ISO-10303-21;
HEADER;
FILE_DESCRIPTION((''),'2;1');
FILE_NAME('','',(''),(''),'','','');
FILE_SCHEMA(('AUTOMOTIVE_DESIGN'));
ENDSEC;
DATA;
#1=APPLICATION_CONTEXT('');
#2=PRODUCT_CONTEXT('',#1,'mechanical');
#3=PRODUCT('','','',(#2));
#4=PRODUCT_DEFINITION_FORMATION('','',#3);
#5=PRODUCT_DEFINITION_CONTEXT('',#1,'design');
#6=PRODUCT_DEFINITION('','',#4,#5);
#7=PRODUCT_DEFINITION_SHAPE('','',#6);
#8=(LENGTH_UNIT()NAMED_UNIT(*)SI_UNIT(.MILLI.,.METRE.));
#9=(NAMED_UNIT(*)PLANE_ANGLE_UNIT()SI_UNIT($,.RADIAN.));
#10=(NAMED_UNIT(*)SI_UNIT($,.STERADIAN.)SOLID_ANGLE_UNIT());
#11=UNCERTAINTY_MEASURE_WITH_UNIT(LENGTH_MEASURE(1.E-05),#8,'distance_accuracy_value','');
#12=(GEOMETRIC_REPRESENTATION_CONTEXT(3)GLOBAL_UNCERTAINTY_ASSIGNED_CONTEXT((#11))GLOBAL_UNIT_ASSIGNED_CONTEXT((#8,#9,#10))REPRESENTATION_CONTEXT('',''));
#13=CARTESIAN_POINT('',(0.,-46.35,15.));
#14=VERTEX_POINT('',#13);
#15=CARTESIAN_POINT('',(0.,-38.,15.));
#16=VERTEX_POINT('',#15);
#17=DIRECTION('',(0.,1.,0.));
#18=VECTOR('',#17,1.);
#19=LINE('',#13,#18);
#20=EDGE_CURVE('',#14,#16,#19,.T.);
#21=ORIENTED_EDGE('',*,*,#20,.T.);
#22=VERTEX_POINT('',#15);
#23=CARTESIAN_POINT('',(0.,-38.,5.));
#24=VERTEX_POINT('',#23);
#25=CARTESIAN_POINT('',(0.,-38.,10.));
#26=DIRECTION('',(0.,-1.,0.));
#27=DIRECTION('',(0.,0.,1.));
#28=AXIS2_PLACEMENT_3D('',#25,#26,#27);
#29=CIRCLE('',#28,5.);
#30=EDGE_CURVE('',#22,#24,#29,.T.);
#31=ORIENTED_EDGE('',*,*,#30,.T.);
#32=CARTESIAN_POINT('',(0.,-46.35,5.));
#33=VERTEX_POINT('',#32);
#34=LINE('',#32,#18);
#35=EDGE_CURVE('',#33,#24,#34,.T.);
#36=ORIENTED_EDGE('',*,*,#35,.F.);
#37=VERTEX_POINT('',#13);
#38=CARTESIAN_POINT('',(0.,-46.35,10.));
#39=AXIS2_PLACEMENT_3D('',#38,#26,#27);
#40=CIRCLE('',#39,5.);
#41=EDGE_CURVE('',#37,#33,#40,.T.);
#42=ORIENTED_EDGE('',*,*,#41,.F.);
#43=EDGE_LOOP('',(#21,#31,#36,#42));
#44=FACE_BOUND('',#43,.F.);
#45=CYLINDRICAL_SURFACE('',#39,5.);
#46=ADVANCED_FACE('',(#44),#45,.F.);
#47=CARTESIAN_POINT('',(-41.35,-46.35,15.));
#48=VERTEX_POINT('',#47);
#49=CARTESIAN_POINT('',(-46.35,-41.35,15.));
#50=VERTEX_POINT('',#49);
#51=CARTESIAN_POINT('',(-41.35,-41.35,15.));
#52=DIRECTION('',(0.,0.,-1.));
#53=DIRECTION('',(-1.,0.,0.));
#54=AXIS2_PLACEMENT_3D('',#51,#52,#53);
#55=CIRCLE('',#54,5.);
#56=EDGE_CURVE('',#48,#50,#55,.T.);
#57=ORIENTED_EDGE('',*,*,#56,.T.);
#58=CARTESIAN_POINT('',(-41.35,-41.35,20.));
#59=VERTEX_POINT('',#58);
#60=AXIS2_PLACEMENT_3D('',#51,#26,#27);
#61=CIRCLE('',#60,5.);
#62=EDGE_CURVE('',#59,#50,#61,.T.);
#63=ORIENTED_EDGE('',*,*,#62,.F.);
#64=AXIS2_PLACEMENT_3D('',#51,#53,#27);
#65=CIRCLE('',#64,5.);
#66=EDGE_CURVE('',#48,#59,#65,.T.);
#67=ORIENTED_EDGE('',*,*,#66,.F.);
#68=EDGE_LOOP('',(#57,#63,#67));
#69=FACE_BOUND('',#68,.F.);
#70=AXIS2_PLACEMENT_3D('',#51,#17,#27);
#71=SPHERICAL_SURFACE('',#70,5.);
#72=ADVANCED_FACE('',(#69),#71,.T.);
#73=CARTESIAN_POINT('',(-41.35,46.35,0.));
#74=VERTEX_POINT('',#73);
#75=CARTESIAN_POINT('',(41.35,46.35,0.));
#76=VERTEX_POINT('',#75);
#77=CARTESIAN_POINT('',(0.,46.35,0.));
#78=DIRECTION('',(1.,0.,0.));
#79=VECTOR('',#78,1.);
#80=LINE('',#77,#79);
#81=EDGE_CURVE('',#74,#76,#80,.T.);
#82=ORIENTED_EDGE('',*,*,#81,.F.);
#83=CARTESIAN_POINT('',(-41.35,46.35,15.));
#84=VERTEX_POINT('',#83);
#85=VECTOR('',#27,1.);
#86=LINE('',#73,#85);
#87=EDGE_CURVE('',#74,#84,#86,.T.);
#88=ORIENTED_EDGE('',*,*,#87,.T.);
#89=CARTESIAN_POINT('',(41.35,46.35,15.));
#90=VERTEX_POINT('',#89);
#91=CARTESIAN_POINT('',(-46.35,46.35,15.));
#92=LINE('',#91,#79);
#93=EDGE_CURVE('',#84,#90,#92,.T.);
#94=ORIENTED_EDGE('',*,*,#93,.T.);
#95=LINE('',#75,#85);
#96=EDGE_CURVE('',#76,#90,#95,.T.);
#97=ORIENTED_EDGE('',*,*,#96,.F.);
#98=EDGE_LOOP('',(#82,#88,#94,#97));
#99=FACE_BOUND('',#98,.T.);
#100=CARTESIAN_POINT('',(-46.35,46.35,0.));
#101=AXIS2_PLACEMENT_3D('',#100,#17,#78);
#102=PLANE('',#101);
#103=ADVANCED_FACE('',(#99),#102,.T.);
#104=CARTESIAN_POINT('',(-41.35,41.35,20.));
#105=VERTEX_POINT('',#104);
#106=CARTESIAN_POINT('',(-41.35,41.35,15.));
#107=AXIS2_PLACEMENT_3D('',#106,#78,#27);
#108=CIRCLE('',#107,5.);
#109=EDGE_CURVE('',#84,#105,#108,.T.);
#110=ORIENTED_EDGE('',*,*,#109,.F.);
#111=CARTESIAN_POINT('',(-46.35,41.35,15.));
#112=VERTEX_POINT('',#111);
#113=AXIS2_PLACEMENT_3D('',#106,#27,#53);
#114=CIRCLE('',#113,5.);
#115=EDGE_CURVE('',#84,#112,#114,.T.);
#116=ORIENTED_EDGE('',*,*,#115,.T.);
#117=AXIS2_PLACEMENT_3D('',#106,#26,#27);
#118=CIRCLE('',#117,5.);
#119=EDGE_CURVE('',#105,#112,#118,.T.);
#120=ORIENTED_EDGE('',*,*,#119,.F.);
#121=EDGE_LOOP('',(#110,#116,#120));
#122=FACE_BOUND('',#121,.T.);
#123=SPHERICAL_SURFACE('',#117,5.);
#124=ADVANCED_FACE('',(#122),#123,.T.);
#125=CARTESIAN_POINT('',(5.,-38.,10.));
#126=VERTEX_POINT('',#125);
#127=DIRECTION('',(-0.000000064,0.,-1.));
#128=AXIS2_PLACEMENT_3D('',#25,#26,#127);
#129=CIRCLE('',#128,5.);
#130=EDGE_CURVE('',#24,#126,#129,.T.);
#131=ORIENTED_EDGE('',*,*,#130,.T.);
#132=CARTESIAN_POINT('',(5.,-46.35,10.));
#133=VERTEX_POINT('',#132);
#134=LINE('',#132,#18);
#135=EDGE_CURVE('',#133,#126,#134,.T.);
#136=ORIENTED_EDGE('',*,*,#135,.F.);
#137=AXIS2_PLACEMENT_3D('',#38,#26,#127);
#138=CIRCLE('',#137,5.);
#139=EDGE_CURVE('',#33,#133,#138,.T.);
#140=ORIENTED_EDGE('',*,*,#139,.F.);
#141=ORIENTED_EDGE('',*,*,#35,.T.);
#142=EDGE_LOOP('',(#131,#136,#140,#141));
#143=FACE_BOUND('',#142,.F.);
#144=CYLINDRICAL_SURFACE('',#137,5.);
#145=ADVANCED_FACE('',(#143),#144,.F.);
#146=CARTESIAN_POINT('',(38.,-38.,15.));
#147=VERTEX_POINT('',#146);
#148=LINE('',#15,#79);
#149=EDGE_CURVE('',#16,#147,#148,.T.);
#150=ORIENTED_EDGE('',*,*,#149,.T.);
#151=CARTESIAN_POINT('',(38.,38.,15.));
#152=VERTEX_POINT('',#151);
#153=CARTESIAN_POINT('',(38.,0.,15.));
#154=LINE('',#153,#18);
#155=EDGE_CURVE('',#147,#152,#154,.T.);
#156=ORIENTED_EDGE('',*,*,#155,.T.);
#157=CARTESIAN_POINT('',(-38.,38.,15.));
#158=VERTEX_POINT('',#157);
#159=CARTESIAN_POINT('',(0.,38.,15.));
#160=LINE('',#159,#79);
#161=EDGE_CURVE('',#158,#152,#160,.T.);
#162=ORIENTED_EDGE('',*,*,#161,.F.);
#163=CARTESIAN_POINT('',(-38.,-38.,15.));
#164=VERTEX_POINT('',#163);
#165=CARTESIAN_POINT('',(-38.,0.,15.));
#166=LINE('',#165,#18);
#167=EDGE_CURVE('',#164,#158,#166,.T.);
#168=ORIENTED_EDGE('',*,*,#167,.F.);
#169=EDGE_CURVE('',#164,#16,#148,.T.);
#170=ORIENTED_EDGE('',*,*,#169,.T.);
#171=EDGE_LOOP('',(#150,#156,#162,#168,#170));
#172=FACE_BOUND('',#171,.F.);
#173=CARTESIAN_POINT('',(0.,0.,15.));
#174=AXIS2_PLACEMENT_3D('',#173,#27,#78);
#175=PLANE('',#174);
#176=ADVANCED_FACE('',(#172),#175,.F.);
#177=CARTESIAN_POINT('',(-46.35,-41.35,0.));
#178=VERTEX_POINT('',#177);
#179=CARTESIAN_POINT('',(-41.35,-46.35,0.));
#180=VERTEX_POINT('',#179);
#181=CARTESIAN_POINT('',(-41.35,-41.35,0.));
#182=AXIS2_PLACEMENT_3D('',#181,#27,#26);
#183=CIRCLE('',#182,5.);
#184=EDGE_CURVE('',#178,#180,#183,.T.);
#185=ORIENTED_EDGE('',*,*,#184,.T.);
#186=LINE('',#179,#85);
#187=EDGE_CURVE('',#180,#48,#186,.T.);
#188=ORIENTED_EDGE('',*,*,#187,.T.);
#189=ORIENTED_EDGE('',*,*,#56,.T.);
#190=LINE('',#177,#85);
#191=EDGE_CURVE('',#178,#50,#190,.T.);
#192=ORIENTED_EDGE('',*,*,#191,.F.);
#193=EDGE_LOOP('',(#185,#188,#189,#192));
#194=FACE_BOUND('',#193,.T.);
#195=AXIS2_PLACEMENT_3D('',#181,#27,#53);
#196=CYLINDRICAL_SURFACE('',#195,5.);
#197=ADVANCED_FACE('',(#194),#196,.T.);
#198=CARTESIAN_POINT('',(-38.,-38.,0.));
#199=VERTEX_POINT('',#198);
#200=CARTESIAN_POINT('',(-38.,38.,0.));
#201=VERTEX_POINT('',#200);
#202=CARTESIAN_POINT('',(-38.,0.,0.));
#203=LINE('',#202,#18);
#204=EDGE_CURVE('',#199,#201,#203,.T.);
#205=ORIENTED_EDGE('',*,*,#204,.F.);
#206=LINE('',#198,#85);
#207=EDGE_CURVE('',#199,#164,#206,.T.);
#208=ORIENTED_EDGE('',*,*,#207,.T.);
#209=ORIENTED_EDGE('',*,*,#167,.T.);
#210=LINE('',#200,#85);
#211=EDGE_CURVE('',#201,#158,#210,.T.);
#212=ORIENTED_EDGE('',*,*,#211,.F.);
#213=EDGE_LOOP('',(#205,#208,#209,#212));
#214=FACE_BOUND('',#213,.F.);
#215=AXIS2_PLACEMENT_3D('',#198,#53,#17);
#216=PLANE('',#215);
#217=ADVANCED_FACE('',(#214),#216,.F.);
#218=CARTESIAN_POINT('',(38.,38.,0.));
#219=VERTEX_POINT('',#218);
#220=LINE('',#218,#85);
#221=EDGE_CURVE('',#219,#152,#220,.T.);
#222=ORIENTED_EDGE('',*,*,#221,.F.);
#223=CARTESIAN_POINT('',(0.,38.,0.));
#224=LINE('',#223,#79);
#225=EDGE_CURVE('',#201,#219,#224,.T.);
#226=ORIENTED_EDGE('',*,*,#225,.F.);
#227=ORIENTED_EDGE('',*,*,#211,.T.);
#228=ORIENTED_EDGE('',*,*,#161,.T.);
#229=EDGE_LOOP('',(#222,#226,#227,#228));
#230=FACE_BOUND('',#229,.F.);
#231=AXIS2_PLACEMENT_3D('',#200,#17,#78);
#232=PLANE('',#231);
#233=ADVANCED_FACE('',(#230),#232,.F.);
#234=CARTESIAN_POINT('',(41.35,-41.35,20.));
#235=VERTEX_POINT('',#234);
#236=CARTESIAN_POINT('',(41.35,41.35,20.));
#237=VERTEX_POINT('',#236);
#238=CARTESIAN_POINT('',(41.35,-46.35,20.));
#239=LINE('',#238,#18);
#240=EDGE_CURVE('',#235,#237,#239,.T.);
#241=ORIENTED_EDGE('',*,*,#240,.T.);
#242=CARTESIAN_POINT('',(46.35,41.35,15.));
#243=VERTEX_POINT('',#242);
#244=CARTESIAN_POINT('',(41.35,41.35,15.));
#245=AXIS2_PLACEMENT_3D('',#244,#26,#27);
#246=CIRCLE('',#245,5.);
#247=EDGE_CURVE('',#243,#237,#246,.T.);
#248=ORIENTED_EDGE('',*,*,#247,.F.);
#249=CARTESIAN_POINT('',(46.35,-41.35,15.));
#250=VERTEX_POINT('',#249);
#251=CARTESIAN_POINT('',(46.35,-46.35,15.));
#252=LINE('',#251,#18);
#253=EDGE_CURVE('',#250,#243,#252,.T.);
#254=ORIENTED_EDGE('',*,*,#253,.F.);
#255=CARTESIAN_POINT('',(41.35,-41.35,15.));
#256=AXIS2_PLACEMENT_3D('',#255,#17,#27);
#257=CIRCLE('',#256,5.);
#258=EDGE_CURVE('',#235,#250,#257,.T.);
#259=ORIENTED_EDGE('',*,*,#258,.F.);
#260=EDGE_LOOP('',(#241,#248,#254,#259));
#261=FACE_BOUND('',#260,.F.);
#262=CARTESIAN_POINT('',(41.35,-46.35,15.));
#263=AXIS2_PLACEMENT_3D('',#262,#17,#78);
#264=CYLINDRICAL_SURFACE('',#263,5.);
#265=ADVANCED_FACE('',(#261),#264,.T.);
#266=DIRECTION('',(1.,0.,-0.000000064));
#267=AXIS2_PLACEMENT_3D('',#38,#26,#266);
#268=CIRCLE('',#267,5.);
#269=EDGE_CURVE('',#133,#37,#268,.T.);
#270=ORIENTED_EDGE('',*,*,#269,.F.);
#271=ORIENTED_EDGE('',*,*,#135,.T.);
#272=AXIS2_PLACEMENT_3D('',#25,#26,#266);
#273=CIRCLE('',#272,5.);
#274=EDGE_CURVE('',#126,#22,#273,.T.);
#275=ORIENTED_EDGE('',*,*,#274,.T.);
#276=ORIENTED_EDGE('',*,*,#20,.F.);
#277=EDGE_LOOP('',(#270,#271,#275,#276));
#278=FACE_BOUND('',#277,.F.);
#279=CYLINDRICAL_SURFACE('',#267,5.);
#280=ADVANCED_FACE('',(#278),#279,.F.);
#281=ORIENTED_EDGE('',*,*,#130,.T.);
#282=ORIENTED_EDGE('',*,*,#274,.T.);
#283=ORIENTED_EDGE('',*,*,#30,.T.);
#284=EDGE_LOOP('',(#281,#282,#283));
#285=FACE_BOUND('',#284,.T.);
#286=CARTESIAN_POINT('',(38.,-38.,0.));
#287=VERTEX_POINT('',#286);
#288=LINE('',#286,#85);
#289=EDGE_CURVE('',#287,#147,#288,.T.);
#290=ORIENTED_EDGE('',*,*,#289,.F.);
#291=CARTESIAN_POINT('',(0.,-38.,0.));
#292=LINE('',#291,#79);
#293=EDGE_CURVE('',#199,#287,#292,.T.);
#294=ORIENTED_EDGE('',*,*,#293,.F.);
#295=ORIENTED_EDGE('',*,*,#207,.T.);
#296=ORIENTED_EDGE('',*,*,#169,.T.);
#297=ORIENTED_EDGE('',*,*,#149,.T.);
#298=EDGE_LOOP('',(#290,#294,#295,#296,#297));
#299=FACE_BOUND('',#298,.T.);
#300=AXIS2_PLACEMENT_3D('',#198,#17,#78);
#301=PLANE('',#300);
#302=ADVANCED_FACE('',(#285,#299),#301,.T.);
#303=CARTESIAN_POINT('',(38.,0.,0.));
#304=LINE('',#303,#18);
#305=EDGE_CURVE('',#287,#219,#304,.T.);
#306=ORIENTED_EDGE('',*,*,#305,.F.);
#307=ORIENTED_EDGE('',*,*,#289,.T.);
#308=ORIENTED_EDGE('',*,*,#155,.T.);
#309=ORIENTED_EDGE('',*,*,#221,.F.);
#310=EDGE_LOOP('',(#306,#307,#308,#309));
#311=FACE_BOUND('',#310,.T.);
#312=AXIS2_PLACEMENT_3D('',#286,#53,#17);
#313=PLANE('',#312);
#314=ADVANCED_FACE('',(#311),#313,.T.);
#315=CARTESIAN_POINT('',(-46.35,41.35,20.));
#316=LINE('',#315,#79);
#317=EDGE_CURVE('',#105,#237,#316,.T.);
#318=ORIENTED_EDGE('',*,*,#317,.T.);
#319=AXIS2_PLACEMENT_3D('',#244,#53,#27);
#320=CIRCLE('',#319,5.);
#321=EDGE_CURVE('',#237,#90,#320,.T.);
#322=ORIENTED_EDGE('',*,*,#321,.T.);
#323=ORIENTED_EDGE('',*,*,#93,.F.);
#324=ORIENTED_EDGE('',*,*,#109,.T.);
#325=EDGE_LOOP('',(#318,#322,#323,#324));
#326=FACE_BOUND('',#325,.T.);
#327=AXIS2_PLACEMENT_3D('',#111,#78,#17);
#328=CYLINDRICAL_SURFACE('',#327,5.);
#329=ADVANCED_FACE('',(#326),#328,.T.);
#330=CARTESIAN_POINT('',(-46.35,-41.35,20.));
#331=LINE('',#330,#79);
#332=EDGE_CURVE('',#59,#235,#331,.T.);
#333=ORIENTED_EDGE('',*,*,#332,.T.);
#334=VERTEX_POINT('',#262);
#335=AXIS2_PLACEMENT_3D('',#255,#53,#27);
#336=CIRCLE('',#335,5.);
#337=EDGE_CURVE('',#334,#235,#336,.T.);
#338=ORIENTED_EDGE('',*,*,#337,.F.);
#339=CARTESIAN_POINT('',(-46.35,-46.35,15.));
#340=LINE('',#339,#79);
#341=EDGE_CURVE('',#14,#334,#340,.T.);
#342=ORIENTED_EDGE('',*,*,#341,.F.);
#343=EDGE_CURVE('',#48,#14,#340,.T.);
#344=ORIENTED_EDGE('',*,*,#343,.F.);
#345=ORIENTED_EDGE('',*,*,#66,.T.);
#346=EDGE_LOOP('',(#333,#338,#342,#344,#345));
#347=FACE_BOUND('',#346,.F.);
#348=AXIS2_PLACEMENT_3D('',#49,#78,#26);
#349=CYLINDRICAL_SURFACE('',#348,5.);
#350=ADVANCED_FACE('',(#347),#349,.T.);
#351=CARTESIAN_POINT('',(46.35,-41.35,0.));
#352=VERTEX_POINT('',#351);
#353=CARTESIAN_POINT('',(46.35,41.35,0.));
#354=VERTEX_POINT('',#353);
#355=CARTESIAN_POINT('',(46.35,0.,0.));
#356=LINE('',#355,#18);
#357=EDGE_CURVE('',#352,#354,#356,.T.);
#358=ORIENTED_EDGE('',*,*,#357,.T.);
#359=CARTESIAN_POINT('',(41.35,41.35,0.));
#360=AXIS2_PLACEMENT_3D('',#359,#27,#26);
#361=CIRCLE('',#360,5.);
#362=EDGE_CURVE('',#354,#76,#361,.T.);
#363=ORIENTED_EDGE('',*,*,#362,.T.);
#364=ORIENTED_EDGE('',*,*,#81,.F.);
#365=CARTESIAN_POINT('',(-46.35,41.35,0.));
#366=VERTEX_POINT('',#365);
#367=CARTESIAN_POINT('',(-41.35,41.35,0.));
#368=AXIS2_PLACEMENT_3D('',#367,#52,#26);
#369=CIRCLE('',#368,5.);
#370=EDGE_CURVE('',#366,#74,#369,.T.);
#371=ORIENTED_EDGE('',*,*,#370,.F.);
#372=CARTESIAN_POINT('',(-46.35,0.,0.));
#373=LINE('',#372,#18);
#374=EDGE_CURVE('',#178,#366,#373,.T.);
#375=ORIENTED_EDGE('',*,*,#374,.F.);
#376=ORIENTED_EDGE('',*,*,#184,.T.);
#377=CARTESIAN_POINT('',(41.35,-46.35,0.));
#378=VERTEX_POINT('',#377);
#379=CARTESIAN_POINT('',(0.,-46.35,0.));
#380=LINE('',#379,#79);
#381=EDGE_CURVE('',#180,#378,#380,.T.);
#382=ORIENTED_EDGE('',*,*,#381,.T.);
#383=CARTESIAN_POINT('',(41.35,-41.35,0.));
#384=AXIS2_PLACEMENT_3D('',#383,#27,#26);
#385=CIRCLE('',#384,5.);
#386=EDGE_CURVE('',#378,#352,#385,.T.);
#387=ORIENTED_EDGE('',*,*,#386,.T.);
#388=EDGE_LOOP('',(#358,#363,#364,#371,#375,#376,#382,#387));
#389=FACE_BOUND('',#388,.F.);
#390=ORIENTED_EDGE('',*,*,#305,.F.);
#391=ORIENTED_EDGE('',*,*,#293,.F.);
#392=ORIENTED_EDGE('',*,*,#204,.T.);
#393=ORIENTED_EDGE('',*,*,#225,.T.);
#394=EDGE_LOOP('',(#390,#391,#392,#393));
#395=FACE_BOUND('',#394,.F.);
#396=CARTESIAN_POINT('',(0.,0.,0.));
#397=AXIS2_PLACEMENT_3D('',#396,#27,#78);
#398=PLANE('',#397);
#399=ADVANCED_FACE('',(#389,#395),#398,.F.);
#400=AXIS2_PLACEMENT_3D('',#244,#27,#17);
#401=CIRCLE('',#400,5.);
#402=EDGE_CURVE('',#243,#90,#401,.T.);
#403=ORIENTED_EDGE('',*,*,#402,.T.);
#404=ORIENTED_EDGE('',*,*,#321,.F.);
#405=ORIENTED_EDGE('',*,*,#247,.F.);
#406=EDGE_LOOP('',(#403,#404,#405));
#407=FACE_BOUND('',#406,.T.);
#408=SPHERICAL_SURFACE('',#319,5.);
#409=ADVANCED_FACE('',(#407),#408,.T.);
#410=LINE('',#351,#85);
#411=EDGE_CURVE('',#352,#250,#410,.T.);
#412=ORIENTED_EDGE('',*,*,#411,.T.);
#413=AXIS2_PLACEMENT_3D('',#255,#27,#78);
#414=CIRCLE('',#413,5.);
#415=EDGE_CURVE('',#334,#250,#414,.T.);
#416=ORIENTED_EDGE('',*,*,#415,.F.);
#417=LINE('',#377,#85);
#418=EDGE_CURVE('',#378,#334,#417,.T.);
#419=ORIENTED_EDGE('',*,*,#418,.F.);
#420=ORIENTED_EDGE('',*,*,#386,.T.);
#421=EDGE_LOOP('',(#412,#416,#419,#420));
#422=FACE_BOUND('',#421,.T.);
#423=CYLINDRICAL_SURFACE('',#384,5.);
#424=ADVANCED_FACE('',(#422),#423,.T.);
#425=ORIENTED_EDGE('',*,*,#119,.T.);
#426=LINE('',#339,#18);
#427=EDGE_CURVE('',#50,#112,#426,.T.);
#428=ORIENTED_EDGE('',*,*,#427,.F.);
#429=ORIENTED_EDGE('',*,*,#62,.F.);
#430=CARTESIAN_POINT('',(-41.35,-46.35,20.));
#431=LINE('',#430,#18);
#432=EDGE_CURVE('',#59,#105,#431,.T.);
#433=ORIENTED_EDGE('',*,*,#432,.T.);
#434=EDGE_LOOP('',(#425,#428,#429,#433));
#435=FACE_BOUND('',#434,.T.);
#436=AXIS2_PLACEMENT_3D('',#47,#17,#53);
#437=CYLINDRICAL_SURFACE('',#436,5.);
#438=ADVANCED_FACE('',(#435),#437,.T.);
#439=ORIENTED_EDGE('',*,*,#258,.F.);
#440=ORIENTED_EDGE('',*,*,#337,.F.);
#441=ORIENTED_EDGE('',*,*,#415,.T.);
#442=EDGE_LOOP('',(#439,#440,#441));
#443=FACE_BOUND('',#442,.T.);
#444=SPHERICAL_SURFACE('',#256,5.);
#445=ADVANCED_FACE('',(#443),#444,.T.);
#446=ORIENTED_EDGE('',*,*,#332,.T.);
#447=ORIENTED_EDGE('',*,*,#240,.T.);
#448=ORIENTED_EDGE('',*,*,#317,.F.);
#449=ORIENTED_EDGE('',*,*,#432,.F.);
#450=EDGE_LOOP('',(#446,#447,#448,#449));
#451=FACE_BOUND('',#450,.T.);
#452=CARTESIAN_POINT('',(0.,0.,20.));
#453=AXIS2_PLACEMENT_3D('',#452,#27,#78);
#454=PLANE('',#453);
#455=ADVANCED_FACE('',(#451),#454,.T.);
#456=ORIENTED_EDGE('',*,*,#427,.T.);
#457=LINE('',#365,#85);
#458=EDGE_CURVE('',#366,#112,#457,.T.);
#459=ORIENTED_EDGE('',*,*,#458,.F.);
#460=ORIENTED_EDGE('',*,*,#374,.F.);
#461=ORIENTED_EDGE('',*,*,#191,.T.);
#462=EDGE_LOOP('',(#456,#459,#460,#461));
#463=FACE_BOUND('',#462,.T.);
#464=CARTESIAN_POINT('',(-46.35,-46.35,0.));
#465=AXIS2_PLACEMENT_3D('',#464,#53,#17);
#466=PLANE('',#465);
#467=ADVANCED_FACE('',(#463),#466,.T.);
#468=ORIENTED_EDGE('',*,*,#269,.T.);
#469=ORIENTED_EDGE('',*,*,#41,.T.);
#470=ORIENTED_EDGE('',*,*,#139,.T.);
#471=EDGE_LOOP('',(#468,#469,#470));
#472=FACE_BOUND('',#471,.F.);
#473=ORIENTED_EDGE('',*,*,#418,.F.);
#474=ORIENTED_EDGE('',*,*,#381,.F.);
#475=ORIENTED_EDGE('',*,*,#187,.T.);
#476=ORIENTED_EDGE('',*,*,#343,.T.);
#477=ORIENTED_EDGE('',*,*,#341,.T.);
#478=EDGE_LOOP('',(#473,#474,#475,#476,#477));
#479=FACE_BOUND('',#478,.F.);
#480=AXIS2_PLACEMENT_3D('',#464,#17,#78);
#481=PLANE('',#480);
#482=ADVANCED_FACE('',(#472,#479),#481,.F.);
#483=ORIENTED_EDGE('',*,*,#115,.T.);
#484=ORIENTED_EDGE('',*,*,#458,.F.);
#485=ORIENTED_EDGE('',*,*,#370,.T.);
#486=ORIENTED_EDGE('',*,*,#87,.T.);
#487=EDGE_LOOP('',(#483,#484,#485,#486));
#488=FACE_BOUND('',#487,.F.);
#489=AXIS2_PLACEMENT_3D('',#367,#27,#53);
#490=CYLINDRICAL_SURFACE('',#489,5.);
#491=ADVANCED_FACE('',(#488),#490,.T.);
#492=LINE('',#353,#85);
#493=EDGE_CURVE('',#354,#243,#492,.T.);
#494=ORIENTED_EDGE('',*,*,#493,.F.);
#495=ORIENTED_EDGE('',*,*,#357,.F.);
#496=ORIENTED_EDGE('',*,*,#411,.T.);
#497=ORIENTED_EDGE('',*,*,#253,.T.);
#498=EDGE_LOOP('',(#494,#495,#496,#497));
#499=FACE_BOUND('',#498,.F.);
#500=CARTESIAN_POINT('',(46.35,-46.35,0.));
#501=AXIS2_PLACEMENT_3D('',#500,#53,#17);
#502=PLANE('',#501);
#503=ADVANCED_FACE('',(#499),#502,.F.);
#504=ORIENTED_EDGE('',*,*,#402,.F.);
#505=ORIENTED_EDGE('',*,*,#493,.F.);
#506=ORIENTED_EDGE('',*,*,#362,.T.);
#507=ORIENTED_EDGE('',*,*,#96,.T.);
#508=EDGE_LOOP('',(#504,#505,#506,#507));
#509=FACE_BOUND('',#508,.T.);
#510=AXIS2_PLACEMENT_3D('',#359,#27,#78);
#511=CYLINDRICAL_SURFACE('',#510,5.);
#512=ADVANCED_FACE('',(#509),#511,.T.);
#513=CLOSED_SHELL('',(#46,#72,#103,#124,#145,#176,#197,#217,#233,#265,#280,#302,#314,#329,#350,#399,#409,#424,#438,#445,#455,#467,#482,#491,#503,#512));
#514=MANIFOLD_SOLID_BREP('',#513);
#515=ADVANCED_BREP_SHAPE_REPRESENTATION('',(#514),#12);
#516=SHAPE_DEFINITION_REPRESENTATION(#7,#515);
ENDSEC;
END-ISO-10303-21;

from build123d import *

# Parameters (mm, degrees)
F0_W     = 92.7
F0_H     = 92.7
F0_W_2   = 76
F0_H_2   = 76
F1_DEPTH = 20
F2_R     = 5
F4_DEPTH = 15
F5_DEPTH = 8.35


with BuildPart() as f1:
    # F0 (on Top) → F1 (new body)
    with BuildSketch(Plane.XY):
        Rectangle(F0_W, F0_H)
        Rectangle(F0_W_2, F0_H_2, mode=Mode.SUBTRACT)
        Rectangle(F0_W_2, F0_H_2)
    extrude(amount=F1_DEPTH)

    # F2
    f2_edges = [f1.edges().sort_by_distance(p)[0] for p in [
        (-46.35, 0, 20),
        (0, 46.35, 20),
        (46.35, 0, 20),
        (0, -46.35, 20),
        (46.35, -46.35, 10),
        (-46.35, -46.35, 10),
        (46.35, 46.35, 10),
        (-46.35, 46.35, 10),
    ]]
    fillet(f2_edges, radius=F2_R)

    # F0 (on Top) → F4 (cut)
    with BuildSketch(Plane.XY):
        Rectangle(F0_W_2, F0_H_2)
    extrude(amount=F4_DEPTH, mode=Mode.SUBTRACT)

    # F3 (on face) → F5 (cut, through all)
    with BuildSketch(Plane.XZ.offset(46.35)):
        with BuildLine():
            ThreePointArc((0, 15), (-5, 10), (0, 5))
            ThreePointArc((0, 5), (3.535534, 6.464466), (5, 10))
            ThreePointArc((5, 10), (3.535534, 13.535534), (0, 15))
        make_face()
    extrude(amount=-F5_DEPTH, mode=Mode.SUBTRACT)


solid = f1.part
